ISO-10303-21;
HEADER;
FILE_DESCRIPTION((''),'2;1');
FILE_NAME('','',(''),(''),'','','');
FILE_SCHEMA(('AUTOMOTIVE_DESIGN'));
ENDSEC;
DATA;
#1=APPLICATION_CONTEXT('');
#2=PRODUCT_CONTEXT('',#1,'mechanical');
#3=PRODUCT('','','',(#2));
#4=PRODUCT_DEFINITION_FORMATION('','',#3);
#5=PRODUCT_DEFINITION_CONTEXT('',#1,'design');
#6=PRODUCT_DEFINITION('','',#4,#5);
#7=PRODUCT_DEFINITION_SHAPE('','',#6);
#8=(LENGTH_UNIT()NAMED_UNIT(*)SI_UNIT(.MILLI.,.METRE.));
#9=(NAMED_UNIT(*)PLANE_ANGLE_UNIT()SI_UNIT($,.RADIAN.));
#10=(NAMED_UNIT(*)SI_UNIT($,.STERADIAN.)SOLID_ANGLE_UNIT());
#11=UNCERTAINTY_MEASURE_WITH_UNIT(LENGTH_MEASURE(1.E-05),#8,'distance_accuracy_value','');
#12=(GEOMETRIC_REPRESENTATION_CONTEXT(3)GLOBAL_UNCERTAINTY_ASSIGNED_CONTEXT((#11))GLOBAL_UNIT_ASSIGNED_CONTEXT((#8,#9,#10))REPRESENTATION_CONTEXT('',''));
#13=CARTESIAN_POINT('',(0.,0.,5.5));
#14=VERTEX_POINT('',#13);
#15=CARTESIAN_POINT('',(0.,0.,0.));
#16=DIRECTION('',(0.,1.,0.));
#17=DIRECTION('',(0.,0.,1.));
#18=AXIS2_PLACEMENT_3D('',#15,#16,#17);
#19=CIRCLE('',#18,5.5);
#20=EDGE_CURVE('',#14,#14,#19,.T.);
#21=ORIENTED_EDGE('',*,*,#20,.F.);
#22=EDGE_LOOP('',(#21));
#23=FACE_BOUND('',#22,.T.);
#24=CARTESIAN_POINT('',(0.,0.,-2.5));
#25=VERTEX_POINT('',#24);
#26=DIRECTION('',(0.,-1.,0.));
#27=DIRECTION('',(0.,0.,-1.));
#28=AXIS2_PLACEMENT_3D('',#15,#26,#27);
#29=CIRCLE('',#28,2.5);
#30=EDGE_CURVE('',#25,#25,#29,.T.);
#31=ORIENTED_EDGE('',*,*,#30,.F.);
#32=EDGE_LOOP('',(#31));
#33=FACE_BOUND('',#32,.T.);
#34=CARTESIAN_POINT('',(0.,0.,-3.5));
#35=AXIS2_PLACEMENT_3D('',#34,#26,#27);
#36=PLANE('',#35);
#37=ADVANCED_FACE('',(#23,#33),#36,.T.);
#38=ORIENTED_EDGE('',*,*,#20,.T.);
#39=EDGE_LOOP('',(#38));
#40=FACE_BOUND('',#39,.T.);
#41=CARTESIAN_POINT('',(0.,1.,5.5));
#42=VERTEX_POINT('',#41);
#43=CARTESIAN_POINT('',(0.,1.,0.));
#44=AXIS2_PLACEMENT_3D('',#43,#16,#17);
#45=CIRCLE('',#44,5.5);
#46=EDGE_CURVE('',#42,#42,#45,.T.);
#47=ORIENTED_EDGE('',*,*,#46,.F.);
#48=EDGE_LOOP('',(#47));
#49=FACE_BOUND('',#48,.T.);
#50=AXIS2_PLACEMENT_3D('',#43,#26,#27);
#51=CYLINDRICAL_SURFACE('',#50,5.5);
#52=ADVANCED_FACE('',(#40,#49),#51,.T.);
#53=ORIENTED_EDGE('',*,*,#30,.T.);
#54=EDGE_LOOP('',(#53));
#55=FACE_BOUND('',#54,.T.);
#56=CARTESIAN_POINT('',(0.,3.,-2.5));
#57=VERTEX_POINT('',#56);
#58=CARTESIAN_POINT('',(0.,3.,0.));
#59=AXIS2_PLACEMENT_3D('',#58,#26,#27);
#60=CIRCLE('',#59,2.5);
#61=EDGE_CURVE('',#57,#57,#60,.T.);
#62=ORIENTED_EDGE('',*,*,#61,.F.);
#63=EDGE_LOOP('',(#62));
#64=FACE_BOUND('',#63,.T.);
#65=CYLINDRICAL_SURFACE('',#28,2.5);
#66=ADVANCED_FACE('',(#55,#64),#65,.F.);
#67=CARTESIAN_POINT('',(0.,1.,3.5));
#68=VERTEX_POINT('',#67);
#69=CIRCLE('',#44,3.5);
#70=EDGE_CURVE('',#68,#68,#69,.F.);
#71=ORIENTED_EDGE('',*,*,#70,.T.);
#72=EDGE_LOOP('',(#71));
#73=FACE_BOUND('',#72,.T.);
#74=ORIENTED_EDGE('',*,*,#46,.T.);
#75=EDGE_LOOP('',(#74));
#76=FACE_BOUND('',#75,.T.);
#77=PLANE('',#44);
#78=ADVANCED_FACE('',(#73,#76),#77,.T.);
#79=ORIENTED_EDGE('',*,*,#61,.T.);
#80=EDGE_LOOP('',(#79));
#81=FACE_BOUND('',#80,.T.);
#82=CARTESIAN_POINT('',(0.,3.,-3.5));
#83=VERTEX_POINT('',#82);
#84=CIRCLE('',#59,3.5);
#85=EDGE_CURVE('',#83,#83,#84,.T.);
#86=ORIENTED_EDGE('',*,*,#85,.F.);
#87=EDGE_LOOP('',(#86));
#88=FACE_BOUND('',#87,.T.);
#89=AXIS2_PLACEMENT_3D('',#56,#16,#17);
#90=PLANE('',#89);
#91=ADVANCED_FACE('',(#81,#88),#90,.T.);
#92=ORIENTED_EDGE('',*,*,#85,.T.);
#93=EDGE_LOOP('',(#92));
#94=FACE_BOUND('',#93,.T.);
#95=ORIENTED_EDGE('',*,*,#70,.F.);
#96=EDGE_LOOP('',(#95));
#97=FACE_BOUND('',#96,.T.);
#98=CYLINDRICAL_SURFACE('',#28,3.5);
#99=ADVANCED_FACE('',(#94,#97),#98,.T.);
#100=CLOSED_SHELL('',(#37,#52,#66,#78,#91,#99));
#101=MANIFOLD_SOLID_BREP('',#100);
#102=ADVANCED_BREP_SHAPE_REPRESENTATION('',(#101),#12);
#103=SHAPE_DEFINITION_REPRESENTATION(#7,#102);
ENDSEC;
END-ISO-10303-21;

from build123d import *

# Parameters (mm, degrees)
SKETCH5_W           = 1
SKETCH5_H           = 3
SKETCH3_R           = 5.5
SKETCH3_R_2         = 3.5
BOSS_EXTRUDE2_DEPTH = 1


with BuildPart() as part:
    # Sketch5 → Revolve1 (revolve)
    with BuildSketch(Plane(origin=(0, 0, 0), x_dir=(0, 0, -1), z_dir=(1, 0, 0))):
        with Locations((3, 1.5)):
            Rectangle(SKETCH5_W, SKETCH5_H)
    revolve(axis=Axis((0, 0, 0), (0, 1, 0)))

    # Sketch3 → Boss-Extrude2 (add)
    with BuildSketch(Plane(origin=(0, 0, 0), x_dir=(1, 0, 0), z_dir=(0, 1, 0))):
        with Locations(Location((0, 0, 0), (0, 0, 270))):
            Circle(SKETCH3_R)
        with Locations(Location((0, 0, 0), (0, 0, 90))):
            Circle(SKETCH3_R_2, mode=Mode.SUBTRACT)
    extrude(amount=BOSS_EXTRUDE2_DEPTH)


solid = part.part
